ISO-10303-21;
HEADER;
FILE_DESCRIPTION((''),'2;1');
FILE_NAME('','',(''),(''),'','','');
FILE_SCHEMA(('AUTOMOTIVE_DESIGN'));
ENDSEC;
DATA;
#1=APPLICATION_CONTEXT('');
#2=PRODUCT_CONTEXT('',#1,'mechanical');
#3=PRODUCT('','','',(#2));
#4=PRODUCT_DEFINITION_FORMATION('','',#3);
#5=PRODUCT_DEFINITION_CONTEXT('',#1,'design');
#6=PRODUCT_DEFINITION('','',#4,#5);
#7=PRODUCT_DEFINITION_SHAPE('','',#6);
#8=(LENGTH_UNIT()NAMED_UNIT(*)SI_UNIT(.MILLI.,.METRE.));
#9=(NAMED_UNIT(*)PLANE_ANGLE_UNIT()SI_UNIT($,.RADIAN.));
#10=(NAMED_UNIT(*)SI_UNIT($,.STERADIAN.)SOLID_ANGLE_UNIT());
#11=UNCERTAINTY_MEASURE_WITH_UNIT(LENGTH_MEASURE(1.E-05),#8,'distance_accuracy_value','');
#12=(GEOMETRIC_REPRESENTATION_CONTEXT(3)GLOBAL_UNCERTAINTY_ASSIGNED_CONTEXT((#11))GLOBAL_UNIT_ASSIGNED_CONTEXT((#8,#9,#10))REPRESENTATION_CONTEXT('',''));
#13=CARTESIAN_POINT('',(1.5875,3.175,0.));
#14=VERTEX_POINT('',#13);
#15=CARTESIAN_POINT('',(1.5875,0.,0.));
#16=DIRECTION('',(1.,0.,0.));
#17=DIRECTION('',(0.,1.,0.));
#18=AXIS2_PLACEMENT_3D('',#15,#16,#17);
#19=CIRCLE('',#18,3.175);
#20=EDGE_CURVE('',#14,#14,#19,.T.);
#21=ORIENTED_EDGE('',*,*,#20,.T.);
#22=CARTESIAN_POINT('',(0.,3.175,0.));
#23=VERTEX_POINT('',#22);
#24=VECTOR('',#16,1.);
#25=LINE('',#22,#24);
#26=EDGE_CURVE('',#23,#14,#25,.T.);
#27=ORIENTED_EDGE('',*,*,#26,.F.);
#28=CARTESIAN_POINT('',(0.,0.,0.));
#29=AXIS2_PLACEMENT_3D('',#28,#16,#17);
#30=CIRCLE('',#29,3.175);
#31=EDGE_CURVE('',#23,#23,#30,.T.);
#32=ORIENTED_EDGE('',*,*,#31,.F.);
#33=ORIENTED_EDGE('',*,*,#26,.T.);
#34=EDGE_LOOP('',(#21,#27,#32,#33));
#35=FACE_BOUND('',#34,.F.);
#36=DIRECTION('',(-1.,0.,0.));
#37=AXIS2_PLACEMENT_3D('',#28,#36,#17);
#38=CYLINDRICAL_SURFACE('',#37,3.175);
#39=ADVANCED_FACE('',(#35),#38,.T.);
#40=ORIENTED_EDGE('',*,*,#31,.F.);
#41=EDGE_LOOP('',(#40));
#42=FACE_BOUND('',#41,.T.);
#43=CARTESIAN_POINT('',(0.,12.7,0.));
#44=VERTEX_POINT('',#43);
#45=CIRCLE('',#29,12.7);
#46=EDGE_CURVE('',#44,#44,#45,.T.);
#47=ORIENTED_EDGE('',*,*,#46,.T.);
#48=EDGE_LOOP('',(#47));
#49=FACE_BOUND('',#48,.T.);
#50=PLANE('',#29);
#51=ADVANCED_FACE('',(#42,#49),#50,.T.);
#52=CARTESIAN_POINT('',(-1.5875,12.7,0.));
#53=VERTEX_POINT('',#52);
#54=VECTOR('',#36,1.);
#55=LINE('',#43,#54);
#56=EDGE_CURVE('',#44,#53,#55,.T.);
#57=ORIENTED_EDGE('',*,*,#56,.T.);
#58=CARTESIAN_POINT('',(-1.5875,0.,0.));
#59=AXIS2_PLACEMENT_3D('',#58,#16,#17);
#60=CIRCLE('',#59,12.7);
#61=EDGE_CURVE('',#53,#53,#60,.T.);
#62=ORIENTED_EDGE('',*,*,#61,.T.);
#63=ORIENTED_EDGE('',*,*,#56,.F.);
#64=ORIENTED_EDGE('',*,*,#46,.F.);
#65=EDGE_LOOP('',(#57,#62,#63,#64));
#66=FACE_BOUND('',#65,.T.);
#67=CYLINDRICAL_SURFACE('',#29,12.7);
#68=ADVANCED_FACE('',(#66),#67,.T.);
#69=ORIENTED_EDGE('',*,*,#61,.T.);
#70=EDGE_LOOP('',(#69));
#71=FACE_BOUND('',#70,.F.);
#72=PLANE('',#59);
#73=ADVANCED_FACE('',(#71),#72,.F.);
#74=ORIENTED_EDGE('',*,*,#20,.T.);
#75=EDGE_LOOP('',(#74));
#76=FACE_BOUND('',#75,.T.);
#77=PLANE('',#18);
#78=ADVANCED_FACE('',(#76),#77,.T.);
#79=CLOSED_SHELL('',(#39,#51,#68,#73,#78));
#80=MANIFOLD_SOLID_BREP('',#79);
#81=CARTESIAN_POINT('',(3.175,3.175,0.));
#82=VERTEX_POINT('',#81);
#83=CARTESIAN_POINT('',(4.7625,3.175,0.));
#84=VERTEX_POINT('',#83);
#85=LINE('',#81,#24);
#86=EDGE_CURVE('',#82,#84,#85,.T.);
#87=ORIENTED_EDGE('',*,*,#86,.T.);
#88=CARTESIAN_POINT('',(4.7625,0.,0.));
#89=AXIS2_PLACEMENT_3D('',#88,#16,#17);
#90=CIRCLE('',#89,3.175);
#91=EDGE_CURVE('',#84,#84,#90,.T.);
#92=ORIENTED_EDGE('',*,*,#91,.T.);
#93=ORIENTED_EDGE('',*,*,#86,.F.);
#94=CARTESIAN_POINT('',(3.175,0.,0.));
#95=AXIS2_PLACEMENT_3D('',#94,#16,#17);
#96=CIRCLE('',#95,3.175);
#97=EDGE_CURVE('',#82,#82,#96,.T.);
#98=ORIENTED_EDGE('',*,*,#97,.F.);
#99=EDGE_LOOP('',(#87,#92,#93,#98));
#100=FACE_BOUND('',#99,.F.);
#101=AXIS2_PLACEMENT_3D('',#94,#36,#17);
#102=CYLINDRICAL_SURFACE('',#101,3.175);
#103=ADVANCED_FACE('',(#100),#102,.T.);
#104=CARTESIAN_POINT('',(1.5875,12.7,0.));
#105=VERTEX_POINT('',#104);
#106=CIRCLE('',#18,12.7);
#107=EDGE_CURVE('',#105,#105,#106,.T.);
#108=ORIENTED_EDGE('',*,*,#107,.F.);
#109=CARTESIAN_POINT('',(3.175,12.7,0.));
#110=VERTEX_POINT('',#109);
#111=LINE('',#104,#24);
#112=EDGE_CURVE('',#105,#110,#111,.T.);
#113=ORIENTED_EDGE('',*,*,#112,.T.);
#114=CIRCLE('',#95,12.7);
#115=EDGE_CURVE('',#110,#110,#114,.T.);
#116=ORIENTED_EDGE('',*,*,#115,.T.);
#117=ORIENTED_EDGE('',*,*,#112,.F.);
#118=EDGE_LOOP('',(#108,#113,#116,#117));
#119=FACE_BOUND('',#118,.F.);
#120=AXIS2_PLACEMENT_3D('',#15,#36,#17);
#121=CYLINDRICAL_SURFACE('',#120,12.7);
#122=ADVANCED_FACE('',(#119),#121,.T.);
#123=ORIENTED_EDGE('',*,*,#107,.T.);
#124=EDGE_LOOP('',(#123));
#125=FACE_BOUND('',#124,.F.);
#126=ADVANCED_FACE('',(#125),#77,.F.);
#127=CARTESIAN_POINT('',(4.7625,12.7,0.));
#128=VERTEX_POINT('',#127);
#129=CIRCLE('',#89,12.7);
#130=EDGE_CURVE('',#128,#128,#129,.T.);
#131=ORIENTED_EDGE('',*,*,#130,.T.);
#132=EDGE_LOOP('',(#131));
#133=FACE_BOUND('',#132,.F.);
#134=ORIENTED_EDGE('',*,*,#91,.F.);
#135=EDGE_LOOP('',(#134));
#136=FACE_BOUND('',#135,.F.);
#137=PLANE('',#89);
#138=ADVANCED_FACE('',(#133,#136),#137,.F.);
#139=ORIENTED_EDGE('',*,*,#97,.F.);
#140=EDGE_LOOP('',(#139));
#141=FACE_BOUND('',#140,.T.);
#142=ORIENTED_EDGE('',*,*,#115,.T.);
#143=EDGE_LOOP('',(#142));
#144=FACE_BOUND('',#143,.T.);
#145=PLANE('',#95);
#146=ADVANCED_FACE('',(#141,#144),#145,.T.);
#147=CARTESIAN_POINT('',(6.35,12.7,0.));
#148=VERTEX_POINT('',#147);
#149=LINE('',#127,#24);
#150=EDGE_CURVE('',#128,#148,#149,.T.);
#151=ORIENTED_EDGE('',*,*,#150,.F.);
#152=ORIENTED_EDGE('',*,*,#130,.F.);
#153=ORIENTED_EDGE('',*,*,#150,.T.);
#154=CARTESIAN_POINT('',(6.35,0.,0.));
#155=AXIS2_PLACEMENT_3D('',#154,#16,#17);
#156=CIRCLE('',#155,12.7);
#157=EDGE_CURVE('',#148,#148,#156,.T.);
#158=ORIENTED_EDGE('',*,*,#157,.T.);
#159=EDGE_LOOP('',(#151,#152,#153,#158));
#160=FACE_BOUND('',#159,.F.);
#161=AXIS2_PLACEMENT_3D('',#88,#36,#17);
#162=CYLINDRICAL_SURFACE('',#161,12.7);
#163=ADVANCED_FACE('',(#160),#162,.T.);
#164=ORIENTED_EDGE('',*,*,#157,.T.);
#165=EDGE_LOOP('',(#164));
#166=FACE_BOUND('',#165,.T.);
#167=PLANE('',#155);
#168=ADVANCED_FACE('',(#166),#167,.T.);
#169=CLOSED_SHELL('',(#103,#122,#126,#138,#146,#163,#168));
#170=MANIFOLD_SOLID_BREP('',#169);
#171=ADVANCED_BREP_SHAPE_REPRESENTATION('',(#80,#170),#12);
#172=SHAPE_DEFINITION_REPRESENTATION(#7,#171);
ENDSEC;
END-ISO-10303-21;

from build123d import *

# Parameters (mm, degrees)
F0_R     = 12.7
F1_DEPTH = 1.5875
F2_R     = 3.175
F3_DEPTH = 1.5875
F4_R     = 12.7
F4_R_2   = 3.175
F5_DEPTH = 1.5875
F6_R     = 3.175
F7_DEPTH = 1.5875
F8_R     = 12.7
F8_R_2   = 3.175
F9_DEPTH = 1.5875


with BuildPart() as f1:
    # F0 (on Right) → F1 (new body)
    with BuildSketch(Plane.YZ):
        Circle(F0_R)
    extrude(amount=-F1_DEPTH)

    # F2 (on face) → F3 (join)
    with BuildSketch(Plane.YZ):
        Circle(F2_R)
    extrude(amount=F3_DEPTH)


with BuildPart() as f5:
    # F4 (on face) → F5 (new body)
    with BuildSketch(Plane.YZ.offset(1.5875)):
        Circle(F4_R)
        Circle(F4_R_2, mode=Mode.SUBTRACT)
        Circle(F4_R_2)
    extrude(amount=F5_DEPTH)

    # F6 (on face) → F7 (join)
    with BuildSketch(Plane.YZ.offset(3.175)):
        Circle(F6_R)
    extrude(amount=F7_DEPTH)

    # F8 (on face) → F9 (join)
    with BuildSketch(Plane.YZ.offset(4.7625)):
        Circle(F8_R)
        Circle(F8_R_2, mode=Mode.SUBTRACT)
        Circle(F8_R_2)
    extrude(amount=F9_DEPTH)


solid = Compound([f1.part, f5.part])
